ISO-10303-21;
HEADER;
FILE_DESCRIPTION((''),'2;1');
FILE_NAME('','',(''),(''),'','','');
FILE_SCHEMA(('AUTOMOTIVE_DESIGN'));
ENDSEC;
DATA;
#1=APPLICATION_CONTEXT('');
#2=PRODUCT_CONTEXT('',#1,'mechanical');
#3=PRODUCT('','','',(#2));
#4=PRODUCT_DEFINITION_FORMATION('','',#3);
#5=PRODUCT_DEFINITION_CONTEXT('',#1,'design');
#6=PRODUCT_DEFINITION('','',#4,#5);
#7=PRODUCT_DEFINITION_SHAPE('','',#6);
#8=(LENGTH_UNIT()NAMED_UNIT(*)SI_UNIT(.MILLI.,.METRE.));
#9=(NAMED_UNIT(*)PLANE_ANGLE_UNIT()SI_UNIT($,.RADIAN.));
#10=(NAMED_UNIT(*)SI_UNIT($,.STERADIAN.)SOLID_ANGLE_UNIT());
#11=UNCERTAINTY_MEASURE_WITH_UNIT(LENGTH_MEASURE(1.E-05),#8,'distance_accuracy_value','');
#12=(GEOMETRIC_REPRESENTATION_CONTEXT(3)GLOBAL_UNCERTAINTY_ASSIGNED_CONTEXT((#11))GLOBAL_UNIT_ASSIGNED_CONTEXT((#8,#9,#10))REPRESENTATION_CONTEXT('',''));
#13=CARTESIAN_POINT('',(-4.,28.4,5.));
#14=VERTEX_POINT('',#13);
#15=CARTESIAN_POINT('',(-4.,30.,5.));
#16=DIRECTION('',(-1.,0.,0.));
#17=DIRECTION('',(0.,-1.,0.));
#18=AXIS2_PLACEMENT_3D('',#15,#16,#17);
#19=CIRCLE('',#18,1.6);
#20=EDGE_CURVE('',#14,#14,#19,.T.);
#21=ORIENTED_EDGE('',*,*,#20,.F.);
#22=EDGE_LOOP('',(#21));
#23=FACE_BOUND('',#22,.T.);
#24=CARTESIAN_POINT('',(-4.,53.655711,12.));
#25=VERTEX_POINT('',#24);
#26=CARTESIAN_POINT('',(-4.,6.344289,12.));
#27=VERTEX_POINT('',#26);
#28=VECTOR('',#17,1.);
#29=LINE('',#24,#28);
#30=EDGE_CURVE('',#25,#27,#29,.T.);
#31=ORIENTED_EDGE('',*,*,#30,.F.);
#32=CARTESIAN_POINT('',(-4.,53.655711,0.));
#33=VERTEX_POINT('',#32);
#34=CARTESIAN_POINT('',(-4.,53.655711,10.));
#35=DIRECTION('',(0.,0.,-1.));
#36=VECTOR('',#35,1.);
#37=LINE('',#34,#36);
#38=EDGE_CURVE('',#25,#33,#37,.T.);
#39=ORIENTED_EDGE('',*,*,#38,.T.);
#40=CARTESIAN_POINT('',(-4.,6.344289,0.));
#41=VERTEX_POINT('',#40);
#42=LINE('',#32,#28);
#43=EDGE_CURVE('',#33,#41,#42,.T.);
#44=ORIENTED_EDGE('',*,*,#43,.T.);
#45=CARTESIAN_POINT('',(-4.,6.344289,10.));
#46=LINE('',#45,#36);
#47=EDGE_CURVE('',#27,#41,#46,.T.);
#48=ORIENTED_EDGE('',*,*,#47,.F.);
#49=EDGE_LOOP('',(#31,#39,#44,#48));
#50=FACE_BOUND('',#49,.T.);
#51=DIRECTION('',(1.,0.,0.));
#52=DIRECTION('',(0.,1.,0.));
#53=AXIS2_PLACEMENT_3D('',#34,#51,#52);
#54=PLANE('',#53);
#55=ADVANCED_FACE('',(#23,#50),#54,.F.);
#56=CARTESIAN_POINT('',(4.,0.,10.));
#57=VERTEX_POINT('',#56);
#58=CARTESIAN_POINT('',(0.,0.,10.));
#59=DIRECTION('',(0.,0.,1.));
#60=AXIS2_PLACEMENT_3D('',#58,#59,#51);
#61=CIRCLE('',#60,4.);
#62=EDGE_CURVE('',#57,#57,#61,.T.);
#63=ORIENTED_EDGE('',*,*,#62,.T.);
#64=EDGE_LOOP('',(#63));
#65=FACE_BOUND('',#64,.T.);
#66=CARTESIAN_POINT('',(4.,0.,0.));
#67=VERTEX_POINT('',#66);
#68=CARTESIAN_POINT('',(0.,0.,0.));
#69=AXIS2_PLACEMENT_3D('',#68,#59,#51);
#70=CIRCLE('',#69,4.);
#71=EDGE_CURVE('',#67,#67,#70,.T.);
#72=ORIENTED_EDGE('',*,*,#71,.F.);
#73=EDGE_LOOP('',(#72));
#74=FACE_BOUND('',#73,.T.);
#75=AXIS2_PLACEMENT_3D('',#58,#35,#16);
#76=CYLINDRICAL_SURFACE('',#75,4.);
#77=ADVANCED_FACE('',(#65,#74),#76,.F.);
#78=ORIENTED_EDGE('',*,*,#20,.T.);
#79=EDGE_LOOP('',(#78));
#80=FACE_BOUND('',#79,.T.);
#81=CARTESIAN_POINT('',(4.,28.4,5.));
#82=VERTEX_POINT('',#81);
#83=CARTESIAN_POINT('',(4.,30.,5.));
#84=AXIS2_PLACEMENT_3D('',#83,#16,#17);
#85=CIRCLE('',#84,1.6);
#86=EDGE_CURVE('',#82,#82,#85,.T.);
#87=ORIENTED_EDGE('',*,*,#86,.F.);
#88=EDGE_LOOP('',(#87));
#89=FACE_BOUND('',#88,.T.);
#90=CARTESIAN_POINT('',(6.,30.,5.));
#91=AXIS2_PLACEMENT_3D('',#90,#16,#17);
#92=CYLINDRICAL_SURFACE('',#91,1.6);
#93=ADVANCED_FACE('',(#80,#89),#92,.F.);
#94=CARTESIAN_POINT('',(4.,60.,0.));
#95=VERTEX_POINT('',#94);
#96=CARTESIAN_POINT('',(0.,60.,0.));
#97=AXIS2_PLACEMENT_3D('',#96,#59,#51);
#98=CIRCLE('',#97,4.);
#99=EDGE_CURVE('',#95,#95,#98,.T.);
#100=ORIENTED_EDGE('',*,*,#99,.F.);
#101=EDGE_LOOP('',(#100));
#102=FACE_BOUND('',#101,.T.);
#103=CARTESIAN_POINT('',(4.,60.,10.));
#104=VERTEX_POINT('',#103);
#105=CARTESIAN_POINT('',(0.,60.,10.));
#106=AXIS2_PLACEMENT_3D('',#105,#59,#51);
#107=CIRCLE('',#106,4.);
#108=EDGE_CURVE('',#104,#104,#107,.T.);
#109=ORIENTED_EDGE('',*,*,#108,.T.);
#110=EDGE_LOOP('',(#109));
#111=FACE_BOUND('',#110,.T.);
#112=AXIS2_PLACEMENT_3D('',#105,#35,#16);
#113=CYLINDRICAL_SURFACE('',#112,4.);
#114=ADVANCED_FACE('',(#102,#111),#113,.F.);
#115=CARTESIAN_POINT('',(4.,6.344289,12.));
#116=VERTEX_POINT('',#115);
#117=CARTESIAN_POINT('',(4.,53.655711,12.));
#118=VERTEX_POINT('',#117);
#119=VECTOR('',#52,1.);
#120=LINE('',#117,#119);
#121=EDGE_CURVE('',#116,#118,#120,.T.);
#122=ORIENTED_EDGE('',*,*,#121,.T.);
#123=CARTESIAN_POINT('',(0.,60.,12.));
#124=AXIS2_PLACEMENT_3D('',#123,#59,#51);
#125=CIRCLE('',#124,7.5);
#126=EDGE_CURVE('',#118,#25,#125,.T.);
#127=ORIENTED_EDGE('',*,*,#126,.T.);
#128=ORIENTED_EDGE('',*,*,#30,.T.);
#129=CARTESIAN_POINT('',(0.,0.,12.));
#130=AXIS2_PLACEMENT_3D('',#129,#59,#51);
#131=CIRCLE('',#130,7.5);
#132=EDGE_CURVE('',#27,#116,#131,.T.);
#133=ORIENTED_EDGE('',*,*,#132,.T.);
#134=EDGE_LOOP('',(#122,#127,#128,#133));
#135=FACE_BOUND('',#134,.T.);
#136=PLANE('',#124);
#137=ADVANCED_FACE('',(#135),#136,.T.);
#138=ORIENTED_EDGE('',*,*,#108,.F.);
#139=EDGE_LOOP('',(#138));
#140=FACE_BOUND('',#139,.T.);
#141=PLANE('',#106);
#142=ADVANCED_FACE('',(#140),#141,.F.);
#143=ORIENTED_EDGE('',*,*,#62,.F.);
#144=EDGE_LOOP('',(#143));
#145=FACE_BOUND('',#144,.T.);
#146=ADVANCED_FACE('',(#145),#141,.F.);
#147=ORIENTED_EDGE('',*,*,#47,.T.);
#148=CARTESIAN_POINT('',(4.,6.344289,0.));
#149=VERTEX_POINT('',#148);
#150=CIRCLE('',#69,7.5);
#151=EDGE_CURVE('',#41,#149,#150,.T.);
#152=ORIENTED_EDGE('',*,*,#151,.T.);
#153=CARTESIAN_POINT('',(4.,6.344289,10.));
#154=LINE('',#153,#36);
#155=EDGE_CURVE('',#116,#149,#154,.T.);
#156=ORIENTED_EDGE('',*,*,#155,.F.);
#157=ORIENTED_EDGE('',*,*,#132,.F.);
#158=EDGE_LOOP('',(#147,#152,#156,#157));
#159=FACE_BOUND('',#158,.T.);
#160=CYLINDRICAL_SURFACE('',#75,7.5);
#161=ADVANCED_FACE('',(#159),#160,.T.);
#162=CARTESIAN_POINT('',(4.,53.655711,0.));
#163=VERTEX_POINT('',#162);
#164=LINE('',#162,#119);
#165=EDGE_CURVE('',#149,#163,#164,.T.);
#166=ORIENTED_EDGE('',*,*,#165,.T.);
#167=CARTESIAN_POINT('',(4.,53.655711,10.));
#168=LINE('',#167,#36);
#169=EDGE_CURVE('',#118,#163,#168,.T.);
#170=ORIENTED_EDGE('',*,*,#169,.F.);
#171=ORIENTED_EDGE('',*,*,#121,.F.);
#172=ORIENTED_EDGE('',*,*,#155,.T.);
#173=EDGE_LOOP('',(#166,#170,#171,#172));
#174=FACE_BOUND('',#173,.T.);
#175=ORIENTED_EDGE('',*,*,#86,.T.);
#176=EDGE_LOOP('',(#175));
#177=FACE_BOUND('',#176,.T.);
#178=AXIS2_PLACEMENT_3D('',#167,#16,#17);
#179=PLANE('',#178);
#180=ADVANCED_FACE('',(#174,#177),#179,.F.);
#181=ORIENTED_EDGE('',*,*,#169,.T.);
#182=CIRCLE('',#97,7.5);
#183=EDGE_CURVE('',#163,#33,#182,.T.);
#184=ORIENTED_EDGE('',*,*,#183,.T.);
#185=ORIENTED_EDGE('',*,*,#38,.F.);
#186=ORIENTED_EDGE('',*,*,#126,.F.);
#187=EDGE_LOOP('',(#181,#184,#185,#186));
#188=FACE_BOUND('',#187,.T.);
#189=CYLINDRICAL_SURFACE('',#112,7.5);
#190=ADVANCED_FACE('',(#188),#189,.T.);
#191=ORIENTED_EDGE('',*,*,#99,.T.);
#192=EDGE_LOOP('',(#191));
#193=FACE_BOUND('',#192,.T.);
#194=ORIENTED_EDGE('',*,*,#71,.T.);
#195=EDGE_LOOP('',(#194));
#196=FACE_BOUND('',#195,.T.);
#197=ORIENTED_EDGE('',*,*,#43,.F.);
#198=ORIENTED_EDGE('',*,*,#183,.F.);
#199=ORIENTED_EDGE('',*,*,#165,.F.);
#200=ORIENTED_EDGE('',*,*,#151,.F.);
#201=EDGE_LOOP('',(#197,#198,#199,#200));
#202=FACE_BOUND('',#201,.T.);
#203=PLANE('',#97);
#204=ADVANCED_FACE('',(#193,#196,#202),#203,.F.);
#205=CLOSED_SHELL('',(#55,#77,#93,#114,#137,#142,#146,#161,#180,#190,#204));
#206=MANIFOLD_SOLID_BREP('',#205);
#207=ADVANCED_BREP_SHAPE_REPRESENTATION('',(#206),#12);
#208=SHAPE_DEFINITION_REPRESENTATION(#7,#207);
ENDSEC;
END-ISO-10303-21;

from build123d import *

# Parameters (mm, degrees)
ESBO_O1_R                = 4
RESSALTO_EXTRUS_O1_DEPTH = 10
ESBO_O2_R                = 1.6
CORTE_EXTRUS_O1_DEPTH    = 10
RESSALTO_EXTRUS_O2_DEPTH = 2


with BuildPart() as part:
    # Esboço1 → Ressalto-extrusão1 (new body)
    with BuildSketch(Plane.XY):
        with BuildLine():
            Line((4, 53.65571123), (4, 6.34428877))
            ThreePointArc((4, 6.34428877), (0, -7.5), (-4, 6.34428877))
            Line((-4, 6.34428877), (-4, 53.65571123))
            ThreePointArc((-4, 53.65571123), (0, 67.5), (4, 53.65571123))
        make_face()
        with Locations((0, 60)):
            Circle(ESBO_O1_R, mode=Mode.SUBTRACT)
        Circle(ESBO_O1_R, mode=Mode.SUBTRACT)
    extrude(amount=RESSALTO_EXTRUS_O1_DEPTH)

    # Esboço2 → Corte-extrusão1 (cut)
    with BuildSketch(Plane.ZY.offset(4)):
        with Locations(Location((5, 30, 0), (0, 0, 270))):
            Circle(ESBO_O2_R)
    extrude(amount=-CORTE_EXTRUS_O1_DEPTH, mode=Mode.SUBTRACT)

    # Esboço3 → Ressalto-extrusão2 (add)
    with BuildSketch(Plane.XY.offset(10)):
        with BuildLine():
            Line((-4, 53.65571123), (-4, 6.34428877))
            ThreePointArc((-4, 6.34428877), (0, -7.5), (4, 6.34428877))
            Line((4, 6.34428877), (4, 53.65571123))
            ThreePointArc((4, 53.65571123), (0, 67.5), (-4, 53.65571123))
        make_face()
    extrude(amount=RESSALTO_EXTRUS_O2_DEPTH)


solid = part.part
